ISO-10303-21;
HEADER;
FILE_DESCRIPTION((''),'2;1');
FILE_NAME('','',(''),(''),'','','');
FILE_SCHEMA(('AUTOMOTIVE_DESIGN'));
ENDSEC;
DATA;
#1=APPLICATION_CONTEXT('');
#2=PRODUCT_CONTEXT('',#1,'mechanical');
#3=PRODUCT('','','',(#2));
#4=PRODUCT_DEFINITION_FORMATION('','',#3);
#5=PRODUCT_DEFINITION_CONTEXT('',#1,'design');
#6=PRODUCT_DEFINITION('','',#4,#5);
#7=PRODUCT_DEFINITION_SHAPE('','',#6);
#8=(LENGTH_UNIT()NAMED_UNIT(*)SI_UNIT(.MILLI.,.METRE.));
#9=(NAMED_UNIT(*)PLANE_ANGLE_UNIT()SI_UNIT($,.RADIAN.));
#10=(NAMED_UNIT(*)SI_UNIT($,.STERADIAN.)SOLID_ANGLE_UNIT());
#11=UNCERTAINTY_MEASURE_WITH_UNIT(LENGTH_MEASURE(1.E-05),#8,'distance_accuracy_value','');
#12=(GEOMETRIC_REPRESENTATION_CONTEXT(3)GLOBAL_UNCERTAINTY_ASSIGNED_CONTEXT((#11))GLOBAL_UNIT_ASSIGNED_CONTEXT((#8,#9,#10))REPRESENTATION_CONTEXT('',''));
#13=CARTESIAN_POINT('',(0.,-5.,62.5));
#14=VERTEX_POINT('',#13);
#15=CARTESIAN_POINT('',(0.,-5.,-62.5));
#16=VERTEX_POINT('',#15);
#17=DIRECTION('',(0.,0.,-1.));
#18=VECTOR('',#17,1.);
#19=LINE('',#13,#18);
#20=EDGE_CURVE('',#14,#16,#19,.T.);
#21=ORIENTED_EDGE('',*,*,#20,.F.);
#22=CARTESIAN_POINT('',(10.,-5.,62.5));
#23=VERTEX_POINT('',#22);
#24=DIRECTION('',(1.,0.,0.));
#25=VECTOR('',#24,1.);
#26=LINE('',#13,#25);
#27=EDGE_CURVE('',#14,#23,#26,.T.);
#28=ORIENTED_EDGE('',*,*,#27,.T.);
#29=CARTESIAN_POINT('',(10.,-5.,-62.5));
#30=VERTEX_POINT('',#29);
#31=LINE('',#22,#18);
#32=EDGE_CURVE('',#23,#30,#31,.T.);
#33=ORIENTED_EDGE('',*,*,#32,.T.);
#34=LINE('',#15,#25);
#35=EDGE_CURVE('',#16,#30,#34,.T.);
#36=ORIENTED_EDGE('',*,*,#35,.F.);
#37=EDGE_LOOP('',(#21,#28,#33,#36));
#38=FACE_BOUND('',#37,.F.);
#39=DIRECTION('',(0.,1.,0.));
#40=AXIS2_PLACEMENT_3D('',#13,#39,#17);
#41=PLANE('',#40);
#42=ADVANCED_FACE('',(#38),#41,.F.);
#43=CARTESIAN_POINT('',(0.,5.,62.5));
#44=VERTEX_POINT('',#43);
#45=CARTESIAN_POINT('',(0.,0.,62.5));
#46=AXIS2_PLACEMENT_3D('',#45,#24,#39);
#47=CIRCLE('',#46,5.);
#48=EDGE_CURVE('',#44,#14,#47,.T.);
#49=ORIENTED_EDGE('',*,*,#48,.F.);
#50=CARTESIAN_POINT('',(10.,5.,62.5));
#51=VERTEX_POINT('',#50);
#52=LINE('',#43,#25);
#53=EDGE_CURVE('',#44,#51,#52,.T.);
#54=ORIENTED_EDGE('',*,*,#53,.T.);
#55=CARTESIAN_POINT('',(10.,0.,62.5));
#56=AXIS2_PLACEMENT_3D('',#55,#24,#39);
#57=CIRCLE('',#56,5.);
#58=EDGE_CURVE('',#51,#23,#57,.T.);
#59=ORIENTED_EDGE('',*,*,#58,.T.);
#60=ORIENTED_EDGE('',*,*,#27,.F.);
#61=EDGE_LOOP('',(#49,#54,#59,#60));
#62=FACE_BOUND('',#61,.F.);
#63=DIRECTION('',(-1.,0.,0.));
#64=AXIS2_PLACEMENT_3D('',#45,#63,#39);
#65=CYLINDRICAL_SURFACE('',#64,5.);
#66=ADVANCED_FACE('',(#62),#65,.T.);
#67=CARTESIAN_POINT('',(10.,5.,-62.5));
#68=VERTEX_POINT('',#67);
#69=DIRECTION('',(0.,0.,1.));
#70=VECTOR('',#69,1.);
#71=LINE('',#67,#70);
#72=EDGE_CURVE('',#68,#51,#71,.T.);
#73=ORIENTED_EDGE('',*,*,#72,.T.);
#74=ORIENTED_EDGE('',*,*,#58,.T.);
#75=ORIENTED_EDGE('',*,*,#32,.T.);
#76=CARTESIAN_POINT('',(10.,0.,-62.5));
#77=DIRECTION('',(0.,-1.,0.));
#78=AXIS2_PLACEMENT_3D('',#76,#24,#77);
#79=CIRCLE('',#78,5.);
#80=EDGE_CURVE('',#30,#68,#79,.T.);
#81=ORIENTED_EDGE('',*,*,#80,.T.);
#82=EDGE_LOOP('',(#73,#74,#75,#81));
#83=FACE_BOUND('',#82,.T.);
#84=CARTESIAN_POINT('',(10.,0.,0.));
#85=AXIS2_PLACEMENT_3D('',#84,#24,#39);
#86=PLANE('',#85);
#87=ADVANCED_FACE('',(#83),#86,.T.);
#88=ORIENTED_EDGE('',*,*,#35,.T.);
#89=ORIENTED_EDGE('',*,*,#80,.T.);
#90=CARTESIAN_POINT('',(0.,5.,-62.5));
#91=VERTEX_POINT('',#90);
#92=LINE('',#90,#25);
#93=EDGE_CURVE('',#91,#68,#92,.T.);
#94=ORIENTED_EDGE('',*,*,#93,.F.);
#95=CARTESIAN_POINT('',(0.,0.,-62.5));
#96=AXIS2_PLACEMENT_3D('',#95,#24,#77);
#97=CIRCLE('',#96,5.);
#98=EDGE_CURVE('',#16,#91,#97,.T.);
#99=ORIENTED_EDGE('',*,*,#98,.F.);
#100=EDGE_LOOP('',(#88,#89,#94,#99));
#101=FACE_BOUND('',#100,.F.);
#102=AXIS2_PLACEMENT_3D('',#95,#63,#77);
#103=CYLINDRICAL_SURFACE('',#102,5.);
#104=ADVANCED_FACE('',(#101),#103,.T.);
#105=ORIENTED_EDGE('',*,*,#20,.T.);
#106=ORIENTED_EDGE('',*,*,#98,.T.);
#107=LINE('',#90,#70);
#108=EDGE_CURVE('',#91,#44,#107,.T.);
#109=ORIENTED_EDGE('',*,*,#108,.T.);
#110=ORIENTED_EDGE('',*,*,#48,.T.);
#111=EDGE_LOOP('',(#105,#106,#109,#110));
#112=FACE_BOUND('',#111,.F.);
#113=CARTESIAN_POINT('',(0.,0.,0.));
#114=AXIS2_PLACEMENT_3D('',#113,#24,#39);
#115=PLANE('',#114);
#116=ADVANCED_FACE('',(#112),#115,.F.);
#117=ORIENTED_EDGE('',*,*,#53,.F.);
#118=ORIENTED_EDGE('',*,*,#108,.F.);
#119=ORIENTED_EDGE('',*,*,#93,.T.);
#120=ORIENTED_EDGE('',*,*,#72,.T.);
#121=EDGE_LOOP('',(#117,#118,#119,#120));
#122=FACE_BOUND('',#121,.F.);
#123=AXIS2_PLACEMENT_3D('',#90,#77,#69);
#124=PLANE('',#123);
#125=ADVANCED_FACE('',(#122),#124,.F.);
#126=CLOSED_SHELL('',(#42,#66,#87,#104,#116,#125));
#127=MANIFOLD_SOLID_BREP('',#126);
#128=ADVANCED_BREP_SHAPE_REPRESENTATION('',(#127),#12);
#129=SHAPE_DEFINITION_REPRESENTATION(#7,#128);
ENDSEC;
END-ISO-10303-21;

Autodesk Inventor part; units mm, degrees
ref_plane "YZ Plane" through (0, 0, 0) normal (1, 0, 0) x (0, 1, 0)
ref_plane "XZ Plane" through (0, 0, 0) normal (0, 1, 0) x (-1, 0, 0)
ref_plane "XY Plane" through (0, 0, 0) normal (0, 0, 1) x (1, 0, 0)
sketch "Sketch1" plane through (0, 0, 0) normal (1, 0, 0) x (0, 1, 0)
  line L0 (0, -62.5) -> (0, 62.5) construction
  line L1 (5, -62.5) -> (5, 62.5)
  line L2 (-5, 62.5) -> (-5, -62.5)
  arc A0 (-5, -62.5) -> (5, -62.5) centre (0, -62.5) ccw
  arc A1 (5, 62.5) -> (-5, 62.5) centre (0, 62.5) ccw
  point P0 (0, 0)
  dimension "d0" = 125
  dimension "d1" = 10
extrude "Extrusion1" add sketch "Sketch1" along normal blind 10
properties part number "Link 250"
